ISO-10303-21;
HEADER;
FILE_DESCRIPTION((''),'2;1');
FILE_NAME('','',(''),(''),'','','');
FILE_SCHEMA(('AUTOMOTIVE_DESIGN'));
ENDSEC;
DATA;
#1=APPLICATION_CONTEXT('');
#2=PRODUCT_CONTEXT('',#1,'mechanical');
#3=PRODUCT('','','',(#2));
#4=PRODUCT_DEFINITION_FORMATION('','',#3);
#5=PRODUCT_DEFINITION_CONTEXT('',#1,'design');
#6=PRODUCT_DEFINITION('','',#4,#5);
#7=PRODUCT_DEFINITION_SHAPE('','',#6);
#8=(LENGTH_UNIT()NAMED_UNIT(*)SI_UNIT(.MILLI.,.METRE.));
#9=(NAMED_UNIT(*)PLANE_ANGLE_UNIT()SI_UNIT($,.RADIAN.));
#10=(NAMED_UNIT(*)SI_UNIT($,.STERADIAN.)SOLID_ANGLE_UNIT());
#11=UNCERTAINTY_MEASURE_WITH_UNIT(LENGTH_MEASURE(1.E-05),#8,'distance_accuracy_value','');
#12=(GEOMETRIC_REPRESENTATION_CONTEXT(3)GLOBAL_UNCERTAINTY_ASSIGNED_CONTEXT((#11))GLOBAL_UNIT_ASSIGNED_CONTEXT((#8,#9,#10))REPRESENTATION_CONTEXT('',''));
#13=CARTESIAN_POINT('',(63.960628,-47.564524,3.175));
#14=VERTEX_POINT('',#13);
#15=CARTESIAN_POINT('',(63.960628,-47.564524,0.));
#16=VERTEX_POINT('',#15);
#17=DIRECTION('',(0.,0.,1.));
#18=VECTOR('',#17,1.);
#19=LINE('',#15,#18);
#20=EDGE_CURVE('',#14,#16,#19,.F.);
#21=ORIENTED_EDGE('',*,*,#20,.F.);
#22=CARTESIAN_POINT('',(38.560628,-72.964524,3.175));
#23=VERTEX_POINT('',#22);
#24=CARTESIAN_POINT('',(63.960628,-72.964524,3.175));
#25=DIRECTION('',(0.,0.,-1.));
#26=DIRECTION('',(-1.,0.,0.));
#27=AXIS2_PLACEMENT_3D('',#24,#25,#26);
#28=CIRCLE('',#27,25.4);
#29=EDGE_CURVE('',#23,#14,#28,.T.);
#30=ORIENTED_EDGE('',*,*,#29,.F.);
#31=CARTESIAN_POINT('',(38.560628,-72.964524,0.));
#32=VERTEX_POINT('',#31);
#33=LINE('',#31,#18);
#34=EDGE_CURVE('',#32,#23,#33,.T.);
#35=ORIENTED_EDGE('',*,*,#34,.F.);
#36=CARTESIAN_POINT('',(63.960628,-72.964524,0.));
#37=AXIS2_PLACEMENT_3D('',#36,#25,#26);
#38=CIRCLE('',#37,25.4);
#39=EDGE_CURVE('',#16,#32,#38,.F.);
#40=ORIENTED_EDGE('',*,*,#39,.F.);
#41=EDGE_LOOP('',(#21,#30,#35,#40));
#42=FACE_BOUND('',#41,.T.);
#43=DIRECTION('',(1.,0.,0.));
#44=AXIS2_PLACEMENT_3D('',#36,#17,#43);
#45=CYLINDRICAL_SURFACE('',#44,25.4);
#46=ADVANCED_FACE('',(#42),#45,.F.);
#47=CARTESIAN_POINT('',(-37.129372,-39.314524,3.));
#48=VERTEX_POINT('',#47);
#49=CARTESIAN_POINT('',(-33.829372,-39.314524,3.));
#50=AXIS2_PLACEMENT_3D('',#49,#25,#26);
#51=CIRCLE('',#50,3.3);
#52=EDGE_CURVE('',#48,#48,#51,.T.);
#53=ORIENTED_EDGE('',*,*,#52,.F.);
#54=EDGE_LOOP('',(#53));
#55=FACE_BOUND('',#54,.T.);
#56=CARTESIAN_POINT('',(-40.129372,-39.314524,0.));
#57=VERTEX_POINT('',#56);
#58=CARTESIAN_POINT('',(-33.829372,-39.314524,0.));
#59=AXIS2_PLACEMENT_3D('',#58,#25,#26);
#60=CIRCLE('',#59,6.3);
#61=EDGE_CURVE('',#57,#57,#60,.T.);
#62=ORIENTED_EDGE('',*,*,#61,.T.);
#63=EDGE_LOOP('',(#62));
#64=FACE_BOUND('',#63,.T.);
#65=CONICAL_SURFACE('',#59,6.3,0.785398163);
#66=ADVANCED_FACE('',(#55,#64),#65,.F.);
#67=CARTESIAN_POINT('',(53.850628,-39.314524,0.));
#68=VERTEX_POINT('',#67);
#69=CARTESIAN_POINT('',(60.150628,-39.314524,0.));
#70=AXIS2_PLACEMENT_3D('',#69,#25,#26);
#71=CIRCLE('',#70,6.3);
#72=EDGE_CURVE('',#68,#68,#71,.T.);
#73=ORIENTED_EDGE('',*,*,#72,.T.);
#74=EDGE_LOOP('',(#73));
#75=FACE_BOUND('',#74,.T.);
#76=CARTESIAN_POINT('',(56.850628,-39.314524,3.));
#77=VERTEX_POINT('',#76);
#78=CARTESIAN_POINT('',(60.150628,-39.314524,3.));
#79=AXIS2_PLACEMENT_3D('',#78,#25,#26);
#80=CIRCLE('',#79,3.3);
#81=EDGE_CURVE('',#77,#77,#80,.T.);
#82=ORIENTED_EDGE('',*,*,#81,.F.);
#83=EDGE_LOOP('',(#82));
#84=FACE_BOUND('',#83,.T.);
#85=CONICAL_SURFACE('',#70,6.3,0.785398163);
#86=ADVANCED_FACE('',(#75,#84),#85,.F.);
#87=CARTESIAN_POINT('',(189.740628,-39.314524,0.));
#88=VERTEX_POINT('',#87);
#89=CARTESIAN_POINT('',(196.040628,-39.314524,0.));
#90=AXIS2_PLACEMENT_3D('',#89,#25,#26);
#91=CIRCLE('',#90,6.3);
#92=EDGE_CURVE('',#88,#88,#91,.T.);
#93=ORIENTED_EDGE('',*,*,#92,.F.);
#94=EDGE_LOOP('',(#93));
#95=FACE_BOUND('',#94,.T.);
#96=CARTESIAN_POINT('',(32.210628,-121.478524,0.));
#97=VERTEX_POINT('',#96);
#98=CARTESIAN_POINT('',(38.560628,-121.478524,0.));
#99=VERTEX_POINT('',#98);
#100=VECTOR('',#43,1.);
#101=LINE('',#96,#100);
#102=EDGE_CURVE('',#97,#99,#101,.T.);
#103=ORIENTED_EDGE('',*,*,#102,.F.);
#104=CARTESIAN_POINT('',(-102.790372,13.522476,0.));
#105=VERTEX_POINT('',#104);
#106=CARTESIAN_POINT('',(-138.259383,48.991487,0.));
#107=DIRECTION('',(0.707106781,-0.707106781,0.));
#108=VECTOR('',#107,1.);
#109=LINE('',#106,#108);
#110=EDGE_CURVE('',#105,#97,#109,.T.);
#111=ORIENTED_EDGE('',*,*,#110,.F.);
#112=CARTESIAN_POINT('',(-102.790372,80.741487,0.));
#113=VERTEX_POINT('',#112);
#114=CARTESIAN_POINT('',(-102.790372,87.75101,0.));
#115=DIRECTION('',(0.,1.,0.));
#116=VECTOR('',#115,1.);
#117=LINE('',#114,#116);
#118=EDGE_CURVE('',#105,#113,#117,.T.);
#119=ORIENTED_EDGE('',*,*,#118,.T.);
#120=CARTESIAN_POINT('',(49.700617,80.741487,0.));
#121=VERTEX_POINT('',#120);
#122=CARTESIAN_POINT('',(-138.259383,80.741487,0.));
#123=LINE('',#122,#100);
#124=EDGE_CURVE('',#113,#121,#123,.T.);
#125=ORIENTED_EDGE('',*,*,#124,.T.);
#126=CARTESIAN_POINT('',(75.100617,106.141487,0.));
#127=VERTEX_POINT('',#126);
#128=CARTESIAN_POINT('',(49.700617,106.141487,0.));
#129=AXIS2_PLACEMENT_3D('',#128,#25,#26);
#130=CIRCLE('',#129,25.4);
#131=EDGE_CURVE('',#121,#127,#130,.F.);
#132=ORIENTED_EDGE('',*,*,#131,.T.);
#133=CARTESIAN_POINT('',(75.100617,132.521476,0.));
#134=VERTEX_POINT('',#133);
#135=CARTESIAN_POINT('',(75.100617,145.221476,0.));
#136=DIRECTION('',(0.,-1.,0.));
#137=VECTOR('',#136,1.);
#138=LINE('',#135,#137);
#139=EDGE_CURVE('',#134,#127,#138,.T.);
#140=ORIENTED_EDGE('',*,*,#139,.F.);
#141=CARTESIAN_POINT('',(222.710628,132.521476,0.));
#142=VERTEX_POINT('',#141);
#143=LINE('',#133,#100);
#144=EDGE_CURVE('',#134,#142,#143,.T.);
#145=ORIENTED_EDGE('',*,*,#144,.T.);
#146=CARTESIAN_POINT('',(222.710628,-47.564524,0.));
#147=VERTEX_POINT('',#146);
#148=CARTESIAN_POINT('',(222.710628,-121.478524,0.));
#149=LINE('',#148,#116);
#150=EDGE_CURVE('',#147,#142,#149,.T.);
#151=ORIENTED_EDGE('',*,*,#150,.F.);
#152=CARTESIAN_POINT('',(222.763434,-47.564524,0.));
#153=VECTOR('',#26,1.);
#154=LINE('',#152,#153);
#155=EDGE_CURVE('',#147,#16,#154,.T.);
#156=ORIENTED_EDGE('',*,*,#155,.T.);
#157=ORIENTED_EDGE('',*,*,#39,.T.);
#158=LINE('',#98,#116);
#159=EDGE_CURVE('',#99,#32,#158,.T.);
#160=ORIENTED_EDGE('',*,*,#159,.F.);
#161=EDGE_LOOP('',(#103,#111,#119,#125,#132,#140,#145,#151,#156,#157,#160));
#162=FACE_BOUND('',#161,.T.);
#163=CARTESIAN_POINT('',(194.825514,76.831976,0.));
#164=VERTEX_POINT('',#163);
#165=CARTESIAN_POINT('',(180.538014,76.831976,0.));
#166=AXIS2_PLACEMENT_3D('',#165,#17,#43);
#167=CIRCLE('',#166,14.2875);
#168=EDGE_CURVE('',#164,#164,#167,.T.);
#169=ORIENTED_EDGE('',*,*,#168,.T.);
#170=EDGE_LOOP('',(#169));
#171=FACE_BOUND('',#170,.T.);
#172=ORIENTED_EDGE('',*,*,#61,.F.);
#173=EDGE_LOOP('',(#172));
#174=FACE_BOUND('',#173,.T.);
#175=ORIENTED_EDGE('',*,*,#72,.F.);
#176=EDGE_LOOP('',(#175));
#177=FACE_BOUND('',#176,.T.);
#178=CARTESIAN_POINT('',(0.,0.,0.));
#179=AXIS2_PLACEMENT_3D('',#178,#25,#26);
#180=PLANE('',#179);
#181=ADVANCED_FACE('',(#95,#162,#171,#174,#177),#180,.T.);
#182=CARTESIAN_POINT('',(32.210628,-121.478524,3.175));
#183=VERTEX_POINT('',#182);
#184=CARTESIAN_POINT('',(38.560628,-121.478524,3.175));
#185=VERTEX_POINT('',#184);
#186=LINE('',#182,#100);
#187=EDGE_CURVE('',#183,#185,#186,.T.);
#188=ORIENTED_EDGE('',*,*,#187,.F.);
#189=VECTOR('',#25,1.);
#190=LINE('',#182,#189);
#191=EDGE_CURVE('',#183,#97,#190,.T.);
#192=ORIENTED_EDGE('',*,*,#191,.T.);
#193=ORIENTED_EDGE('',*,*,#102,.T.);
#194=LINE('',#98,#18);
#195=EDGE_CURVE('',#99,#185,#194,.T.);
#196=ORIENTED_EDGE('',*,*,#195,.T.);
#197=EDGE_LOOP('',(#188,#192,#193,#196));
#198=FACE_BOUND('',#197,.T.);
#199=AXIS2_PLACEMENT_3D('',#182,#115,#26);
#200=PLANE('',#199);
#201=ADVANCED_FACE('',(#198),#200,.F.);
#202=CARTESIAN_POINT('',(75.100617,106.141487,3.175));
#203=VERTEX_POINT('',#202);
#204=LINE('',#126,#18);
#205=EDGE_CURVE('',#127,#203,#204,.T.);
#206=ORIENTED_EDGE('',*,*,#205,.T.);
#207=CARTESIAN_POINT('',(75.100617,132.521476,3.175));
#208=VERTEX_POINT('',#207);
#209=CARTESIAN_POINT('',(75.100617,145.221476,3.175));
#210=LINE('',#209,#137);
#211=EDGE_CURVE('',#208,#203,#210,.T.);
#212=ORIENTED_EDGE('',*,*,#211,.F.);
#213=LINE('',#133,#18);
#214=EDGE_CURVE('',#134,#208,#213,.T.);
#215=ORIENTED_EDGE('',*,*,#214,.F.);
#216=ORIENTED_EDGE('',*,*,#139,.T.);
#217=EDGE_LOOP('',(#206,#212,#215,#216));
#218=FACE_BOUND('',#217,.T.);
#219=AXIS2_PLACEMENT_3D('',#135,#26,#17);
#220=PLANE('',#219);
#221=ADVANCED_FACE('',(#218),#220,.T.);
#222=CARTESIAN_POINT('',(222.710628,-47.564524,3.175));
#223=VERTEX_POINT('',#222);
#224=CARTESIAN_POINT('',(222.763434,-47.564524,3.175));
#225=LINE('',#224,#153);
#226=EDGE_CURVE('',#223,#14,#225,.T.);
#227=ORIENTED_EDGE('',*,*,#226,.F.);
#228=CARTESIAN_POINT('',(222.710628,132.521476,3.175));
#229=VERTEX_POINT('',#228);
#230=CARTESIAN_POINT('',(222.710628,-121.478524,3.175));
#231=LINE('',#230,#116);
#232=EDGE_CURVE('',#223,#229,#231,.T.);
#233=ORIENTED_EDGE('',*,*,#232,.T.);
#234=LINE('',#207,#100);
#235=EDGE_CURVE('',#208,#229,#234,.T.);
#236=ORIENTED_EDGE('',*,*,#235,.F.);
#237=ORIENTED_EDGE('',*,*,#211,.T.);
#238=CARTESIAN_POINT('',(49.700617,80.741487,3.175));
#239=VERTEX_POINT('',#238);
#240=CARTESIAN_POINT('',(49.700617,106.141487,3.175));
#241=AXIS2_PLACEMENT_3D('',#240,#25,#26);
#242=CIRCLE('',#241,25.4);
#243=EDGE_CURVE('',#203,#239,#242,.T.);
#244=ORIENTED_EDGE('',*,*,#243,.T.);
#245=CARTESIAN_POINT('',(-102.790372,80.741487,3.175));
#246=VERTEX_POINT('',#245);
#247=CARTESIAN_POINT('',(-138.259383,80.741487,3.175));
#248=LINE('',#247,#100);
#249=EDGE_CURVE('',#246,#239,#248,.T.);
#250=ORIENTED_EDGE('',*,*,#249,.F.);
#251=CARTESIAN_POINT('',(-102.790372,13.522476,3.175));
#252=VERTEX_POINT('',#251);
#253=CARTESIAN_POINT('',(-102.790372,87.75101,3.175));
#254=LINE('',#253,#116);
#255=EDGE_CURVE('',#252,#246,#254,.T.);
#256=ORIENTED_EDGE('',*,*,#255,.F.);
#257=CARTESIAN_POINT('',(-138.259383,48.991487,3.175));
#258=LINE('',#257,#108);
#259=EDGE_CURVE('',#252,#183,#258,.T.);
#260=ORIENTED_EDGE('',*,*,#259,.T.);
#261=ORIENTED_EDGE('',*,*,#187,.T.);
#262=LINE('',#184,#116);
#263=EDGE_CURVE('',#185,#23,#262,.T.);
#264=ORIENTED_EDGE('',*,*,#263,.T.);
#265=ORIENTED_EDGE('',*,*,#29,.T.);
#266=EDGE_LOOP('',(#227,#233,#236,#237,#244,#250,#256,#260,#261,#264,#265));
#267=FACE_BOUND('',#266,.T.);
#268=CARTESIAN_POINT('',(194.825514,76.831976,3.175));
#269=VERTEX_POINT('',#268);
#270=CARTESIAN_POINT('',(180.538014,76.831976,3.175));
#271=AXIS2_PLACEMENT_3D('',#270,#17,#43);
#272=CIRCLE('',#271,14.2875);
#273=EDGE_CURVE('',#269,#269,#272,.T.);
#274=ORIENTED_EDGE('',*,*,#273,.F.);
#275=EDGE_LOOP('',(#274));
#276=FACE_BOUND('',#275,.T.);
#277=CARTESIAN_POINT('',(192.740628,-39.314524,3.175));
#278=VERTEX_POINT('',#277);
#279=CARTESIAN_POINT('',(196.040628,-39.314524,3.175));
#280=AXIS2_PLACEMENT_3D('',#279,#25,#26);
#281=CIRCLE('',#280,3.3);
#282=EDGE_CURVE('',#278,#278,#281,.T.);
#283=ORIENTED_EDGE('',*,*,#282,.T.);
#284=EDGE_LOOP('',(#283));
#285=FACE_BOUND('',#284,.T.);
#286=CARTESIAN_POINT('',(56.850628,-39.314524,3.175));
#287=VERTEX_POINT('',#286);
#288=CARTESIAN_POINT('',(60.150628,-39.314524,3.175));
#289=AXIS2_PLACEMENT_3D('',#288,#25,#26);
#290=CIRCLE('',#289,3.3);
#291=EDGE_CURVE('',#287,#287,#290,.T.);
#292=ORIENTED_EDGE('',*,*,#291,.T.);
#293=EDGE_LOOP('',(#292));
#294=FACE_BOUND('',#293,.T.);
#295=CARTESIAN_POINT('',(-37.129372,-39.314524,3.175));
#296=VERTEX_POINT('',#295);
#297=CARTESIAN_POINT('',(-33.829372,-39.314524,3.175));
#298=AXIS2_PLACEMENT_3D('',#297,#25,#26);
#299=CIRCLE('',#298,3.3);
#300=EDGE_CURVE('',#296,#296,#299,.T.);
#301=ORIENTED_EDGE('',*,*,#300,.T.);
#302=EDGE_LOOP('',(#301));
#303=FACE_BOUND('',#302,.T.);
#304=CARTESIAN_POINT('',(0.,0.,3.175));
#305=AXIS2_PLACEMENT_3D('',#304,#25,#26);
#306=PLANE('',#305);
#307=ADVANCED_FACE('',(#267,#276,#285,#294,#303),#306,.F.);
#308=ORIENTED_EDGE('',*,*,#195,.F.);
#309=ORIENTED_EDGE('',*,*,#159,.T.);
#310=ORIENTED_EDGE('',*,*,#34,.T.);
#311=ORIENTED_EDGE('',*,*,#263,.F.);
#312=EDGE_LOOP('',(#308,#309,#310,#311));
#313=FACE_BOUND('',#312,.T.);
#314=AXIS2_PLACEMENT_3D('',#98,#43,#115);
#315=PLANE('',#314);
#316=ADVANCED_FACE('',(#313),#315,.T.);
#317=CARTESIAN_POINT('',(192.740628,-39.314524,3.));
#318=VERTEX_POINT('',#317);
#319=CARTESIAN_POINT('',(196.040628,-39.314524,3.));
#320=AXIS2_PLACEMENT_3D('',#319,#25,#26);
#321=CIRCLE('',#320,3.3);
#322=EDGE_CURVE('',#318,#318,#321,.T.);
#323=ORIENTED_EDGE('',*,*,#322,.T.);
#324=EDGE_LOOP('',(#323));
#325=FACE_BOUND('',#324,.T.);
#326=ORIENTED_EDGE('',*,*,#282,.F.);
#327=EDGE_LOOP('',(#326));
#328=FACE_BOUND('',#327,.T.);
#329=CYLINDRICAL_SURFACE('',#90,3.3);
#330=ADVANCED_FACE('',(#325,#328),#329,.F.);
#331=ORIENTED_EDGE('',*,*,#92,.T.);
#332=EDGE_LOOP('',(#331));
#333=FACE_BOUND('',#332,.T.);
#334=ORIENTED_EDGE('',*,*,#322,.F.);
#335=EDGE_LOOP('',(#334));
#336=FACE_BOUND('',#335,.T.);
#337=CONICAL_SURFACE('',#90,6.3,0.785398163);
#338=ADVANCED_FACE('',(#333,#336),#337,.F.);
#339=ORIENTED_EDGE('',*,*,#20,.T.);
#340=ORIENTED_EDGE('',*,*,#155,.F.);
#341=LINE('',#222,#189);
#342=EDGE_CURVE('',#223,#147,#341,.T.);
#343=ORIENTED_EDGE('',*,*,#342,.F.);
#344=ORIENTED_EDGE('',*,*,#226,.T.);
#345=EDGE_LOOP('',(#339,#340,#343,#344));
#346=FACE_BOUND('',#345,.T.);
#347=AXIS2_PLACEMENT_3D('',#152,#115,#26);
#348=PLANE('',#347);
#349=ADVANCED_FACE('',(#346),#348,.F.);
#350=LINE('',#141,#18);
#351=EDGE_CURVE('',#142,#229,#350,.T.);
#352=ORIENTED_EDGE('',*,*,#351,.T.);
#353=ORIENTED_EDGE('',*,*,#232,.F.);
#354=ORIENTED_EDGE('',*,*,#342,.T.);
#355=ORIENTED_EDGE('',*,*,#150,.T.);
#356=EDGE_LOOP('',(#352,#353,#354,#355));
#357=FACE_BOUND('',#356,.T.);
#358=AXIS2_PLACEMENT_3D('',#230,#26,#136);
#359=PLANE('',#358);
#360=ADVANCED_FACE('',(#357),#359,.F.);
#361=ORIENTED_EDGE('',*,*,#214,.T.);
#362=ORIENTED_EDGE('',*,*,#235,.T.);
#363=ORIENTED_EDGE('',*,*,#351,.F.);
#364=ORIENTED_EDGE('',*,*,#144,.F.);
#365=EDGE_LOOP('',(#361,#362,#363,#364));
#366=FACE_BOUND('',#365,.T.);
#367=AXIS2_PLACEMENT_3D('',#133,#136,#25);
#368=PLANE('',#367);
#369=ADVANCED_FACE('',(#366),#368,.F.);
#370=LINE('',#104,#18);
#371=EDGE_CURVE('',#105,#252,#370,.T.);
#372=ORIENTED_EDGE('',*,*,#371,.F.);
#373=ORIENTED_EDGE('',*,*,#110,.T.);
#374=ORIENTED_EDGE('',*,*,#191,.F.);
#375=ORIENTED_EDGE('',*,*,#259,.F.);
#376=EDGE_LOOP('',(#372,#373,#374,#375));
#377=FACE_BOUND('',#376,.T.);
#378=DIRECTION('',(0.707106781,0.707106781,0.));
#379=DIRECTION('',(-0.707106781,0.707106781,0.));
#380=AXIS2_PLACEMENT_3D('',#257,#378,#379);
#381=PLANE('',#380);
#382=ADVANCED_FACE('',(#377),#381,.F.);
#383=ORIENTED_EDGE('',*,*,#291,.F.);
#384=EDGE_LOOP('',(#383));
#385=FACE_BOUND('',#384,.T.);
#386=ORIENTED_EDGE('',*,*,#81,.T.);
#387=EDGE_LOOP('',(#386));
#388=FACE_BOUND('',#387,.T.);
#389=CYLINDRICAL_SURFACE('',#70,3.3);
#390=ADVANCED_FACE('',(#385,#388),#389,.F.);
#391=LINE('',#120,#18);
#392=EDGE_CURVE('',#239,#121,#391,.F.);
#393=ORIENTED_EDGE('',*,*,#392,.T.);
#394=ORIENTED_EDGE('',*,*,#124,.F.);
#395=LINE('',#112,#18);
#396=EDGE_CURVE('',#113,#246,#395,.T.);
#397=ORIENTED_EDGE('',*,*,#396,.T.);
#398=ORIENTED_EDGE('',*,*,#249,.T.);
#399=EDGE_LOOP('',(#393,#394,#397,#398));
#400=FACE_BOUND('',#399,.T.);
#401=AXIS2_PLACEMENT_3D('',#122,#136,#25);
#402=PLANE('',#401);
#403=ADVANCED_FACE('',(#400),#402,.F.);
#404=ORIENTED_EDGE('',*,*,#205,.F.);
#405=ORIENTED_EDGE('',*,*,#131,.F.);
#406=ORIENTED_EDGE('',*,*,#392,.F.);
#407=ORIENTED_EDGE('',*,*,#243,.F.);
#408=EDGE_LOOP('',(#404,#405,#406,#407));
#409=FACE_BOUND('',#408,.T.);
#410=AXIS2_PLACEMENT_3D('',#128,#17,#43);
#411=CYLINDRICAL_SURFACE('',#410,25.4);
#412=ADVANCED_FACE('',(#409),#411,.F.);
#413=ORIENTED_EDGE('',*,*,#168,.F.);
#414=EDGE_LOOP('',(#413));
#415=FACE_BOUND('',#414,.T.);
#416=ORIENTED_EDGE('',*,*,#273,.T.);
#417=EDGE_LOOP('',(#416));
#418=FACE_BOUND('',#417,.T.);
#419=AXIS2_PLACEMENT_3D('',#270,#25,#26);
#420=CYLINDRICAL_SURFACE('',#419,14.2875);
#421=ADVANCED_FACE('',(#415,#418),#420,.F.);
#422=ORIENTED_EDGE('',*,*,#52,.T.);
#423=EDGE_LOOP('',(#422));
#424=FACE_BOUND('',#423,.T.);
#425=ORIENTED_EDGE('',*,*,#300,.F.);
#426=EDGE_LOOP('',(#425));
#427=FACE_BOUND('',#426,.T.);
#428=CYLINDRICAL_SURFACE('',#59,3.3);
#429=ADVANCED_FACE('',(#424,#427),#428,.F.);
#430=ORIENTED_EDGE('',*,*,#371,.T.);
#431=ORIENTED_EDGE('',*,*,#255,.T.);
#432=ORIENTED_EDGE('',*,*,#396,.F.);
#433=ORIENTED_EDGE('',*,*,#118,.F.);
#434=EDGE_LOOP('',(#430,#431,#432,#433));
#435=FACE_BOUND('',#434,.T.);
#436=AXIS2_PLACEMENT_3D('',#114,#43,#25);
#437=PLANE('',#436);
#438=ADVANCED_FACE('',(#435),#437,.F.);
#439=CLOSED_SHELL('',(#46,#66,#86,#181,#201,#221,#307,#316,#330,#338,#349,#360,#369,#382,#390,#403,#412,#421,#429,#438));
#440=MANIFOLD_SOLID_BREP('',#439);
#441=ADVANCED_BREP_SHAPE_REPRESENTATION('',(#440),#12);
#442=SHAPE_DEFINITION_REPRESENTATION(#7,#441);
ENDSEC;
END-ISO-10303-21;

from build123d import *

# Parameters (mm, degrees)
SKETCH1_R                                      = 14.2875
BOSS_EXTRUDE1_DEPTH                            = 3.175
SKETCH2_W                                      = 184.202806358
SKETCH2_H                                      = 73.914
CUT_EXTRUDE1_DEPTH                             = 4.175
FILLET1_R                                      = 25.4
SKETCH4_W                                      = 213.36
SKETCH4_H                                      = 64.479988722
CUT_EXTRUDE2_DEPTH                             = 4.175
FILLET2_R                                      = 25.4
SKETCH7_W                                      = 147.610011278
SKETCH7_H                                      = 12.7
CUT_EXTRUDE4_DEPTH                             = 4.175
CSK_FOR_M6_FLAT_HEAD_MACHINE_SCREW1_AT_2_COUNT = 2
CSK_FOR_M6_FLAT_HEAD_MACHINE_SCREW1_AT_2_PITCH = 135.89
CSK_FOR_M6_FLAT_HEAD_MACHINE_SCREW1_AT_3_COUNT = 2
CSK_FOR_M6_FLAT_HEAD_MACHINE_SCREW1_AT_3_PITCH = 229.87
SKETCH10_W                                     = 57.863879914
SKETCH10_H                                     = 74.228534035
CUT_EXTRUDE5_DEPTH                             = 4.175


with BuildPart() as part:
    # Sketch1 → Boss-Extrude1 (new body)
    with BuildSketch(Plane.XY):
        Polygon((-138.259383474, 48.991487021), (32.210627804, -121.478524257), (222.710627804, -121.478524257), (222.710627804, 145.221475743), (-138.259383474, 145.221475743), align=None)
        with Locations((180.538014078, 76.831975743)):
            Circle(SKETCH1_R, mode=Mode.SUBTRACT)
    extrude(amount=BOSS_EXTRUDE1_DEPTH)

    # Sketch2 → Cut-Extrude1 (cut, through all)
    with BuildSketch(Plane.XY.offset(3.175)):
        with Locations((130.662030983, -84.521524257)):
            Rectangle(SKETCH2_W, SKETCH2_H)
    extrude(amount=-CUT_EXTRUDE1_DEPTH, mode=Mode.SUBTRACT)

    # Fillet1
    fillet1_edges = [part.edges().sort_by_distance(p)[0] for p in [
        (38.560627804, -47.564524257, 1.5875),
    ]]
    fillet(fillet1_edges, radius=FILLET1_R)

    # Sketch4 → Cut-Extrude2 (cut, through all)
    with BuildSketch(Plane.XY.offset(3.175)):
        with Locations((-31.579383474, 112.981481382)):
            Rectangle(SKETCH4_W, SKETCH4_H)
    extrude(amount=-CUT_EXTRUDE2_DEPTH, mode=Mode.SUBTRACT)

    # Fillet2
    fillet2_edges = [part.edges().sort_by_distance(p)[0] for p in [
        (-138.259383474, 80.741487021, 1.5875),
        (75.100616526, 80.741487021, 1.5875),
    ]]
    fillet(fillet2_edges, radius=FILLET2_R)

    # Sketch7 → Cut-Extrude4 (cut, through all)
    with BuildSketch(Plane.XY.offset(3.175)):
        with Locations((148.905622165, 138.871475743)):
            Rectangle(SKETCH7_W, SKETCH7_H)
    extrude(amount=-CUT_EXTRUDE4_DEPTH, mode=Mode.SUBTRACT)

    # Sketch8 → CSK for M6 Flat Head Machine Screw1 (revolve, cut)
    with BuildSketch(Plane(origin=(196.040627804, -39.314524257, 0), x_dir=(0, 1, 0), z_dir=(1, 0, 0))):
        Polygon((0, 0), (0, 3.175), (3.3, 3.175), (3.3, 3), (6.3, 0), align=None)
    csk_for_m6_flat_head_machine_screw1 = revolve(axis=Axis((196.040627804, -39.314524257, -6.35), (0, 0, 1)), mode=Mode.SUBTRACT)

    # CSK for M6 Flat Head Machine Screw1 at 2: CSK for M6 Flat Head Machine Screw1 ×2
    with Locations(*[(-i * CSK_FOR_M6_FLAT_HEAD_MACHINE_SCREW1_AT_2_PITCH, 0, 0) for i in range(1, CSK_FOR_M6_FLAT_HEAD_MACHINE_SCREW1_AT_2_COUNT)]):
        add(csk_for_m6_flat_head_machine_screw1, mode=Mode.SUBTRACT)

    # CSK for M6 Flat Head Machine Screw1 at 3: CSK for M6 Flat Head Machine Screw1 ×2
    with Locations(*[(-i * CSK_FOR_M6_FLAT_HEAD_MACHINE_SCREW1_AT_3_PITCH, 0, 0) for i in range(1, CSK_FOR_M6_FLAT_HEAD_MACHINE_SCREW1_AT_3_COUNT)]):
        add(csk_for_m6_flat_head_machine_screw1, mode=Mode.SUBTRACT)

    # Sketch10 → Cut-Extrude5 (cut, through all)
    with BuildSketch(Plane.XY.offset(3.175)):
        with Locations((-131.722312153, 50.636742761)):
            Rectangle(SKETCH10_W, SKETCH10_H)
    extrude(amount=-CUT_EXTRUDE5_DEPTH, mode=Mode.SUBTRACT)


solid = part.part
